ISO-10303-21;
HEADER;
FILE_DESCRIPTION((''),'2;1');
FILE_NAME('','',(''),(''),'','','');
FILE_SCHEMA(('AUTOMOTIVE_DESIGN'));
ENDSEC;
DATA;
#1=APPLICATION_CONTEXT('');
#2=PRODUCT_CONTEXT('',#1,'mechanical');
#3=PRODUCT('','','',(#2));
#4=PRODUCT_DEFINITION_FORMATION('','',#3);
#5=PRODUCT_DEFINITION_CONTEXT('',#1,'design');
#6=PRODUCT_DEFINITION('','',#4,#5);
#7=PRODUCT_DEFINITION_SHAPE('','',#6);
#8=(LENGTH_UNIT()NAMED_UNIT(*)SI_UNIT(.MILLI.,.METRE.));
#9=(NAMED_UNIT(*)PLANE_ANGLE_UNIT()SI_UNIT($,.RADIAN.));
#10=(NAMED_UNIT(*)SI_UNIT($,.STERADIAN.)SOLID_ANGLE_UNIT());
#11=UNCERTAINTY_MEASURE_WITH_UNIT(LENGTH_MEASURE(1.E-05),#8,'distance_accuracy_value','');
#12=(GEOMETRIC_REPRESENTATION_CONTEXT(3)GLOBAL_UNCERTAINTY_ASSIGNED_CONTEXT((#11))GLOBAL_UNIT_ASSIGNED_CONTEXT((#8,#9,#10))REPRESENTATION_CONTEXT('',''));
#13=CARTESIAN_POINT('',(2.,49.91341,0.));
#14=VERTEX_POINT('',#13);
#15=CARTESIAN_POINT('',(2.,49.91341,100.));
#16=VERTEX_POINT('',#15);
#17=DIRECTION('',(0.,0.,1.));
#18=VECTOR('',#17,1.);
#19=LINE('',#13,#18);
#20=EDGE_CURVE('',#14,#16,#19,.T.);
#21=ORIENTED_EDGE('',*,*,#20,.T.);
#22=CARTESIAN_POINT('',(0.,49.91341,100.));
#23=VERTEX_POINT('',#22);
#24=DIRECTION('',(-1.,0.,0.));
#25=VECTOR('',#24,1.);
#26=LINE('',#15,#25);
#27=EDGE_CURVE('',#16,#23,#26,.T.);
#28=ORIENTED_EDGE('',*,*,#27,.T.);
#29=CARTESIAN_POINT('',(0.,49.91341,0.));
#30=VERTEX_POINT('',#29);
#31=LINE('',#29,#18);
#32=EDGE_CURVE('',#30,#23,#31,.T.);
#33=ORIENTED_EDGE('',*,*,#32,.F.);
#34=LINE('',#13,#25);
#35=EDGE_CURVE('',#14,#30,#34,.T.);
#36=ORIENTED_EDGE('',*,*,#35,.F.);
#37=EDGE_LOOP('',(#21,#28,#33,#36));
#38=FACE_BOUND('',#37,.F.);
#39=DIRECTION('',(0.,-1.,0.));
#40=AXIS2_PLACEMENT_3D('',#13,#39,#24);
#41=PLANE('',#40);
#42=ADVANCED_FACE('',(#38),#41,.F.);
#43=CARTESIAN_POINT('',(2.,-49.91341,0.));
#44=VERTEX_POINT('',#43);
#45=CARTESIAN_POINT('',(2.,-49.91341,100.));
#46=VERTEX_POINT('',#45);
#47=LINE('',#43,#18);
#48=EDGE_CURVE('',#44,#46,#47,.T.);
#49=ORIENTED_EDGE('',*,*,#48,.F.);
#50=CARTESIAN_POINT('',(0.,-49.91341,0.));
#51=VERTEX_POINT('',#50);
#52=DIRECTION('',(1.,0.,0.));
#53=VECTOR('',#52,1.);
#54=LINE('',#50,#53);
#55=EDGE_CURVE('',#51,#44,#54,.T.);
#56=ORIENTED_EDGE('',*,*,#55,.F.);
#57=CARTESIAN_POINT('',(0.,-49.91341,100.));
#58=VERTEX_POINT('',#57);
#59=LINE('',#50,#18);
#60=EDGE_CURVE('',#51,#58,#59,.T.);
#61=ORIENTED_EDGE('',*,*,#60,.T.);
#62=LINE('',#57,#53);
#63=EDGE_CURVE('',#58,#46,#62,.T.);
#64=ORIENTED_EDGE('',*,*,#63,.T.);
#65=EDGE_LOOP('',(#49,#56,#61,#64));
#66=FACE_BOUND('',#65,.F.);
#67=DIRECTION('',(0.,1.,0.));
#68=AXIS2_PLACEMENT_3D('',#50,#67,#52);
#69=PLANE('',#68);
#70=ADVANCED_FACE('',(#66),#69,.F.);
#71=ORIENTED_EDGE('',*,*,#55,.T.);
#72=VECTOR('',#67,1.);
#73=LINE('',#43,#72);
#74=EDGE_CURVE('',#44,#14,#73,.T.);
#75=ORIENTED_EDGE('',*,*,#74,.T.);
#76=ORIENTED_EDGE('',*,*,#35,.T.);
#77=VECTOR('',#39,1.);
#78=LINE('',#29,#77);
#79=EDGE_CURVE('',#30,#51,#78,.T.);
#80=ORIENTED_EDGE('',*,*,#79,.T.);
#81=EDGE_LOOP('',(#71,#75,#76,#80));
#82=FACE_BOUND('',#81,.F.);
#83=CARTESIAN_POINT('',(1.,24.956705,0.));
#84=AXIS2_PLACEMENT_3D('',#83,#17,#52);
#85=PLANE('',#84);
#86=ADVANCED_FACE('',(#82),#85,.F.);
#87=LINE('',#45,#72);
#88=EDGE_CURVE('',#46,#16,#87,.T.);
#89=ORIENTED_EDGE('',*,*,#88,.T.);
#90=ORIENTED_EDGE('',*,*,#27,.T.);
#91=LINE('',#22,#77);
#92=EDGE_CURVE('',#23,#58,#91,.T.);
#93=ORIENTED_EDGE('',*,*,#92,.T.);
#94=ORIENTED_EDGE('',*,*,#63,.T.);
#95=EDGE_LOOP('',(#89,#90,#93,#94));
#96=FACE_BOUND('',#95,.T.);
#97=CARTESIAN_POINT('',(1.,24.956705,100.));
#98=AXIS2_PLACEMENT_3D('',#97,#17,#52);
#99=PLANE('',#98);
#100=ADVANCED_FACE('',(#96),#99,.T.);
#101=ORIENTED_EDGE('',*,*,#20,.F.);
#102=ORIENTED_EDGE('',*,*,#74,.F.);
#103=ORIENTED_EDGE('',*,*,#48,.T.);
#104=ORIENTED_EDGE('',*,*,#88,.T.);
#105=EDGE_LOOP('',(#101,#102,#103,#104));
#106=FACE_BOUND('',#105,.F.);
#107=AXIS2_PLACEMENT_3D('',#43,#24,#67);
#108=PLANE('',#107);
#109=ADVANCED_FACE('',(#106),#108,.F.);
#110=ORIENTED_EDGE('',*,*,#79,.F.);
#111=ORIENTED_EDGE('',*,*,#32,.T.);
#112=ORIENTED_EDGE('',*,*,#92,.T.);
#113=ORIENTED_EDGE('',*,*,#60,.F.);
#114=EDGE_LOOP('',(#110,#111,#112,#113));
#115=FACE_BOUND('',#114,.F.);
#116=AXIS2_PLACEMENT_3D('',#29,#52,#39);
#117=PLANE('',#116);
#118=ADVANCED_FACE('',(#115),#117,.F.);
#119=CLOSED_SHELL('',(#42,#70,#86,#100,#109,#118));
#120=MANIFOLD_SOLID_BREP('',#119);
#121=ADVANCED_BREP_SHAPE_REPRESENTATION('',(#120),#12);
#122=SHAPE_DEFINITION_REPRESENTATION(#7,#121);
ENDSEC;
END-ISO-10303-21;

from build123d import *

# Parameters (mm, degrees)
F2_DEPTH = 100


with BuildPart() as f2:
    # F1 (on face) → F2 (new body)
    with BuildSketch(Plane.XY):
        Polygon((0, 49.91341), (0, 0), (2, 0), (2, 49.825504), (2, 49.91341), align=None)
        Polygon((2, 0), (0, 0), (0, -49.91341), (2, -49.91341), (2, -49.825504), align=None)
    extrude(amount=F2_DEPTH)


solid = f2.part
